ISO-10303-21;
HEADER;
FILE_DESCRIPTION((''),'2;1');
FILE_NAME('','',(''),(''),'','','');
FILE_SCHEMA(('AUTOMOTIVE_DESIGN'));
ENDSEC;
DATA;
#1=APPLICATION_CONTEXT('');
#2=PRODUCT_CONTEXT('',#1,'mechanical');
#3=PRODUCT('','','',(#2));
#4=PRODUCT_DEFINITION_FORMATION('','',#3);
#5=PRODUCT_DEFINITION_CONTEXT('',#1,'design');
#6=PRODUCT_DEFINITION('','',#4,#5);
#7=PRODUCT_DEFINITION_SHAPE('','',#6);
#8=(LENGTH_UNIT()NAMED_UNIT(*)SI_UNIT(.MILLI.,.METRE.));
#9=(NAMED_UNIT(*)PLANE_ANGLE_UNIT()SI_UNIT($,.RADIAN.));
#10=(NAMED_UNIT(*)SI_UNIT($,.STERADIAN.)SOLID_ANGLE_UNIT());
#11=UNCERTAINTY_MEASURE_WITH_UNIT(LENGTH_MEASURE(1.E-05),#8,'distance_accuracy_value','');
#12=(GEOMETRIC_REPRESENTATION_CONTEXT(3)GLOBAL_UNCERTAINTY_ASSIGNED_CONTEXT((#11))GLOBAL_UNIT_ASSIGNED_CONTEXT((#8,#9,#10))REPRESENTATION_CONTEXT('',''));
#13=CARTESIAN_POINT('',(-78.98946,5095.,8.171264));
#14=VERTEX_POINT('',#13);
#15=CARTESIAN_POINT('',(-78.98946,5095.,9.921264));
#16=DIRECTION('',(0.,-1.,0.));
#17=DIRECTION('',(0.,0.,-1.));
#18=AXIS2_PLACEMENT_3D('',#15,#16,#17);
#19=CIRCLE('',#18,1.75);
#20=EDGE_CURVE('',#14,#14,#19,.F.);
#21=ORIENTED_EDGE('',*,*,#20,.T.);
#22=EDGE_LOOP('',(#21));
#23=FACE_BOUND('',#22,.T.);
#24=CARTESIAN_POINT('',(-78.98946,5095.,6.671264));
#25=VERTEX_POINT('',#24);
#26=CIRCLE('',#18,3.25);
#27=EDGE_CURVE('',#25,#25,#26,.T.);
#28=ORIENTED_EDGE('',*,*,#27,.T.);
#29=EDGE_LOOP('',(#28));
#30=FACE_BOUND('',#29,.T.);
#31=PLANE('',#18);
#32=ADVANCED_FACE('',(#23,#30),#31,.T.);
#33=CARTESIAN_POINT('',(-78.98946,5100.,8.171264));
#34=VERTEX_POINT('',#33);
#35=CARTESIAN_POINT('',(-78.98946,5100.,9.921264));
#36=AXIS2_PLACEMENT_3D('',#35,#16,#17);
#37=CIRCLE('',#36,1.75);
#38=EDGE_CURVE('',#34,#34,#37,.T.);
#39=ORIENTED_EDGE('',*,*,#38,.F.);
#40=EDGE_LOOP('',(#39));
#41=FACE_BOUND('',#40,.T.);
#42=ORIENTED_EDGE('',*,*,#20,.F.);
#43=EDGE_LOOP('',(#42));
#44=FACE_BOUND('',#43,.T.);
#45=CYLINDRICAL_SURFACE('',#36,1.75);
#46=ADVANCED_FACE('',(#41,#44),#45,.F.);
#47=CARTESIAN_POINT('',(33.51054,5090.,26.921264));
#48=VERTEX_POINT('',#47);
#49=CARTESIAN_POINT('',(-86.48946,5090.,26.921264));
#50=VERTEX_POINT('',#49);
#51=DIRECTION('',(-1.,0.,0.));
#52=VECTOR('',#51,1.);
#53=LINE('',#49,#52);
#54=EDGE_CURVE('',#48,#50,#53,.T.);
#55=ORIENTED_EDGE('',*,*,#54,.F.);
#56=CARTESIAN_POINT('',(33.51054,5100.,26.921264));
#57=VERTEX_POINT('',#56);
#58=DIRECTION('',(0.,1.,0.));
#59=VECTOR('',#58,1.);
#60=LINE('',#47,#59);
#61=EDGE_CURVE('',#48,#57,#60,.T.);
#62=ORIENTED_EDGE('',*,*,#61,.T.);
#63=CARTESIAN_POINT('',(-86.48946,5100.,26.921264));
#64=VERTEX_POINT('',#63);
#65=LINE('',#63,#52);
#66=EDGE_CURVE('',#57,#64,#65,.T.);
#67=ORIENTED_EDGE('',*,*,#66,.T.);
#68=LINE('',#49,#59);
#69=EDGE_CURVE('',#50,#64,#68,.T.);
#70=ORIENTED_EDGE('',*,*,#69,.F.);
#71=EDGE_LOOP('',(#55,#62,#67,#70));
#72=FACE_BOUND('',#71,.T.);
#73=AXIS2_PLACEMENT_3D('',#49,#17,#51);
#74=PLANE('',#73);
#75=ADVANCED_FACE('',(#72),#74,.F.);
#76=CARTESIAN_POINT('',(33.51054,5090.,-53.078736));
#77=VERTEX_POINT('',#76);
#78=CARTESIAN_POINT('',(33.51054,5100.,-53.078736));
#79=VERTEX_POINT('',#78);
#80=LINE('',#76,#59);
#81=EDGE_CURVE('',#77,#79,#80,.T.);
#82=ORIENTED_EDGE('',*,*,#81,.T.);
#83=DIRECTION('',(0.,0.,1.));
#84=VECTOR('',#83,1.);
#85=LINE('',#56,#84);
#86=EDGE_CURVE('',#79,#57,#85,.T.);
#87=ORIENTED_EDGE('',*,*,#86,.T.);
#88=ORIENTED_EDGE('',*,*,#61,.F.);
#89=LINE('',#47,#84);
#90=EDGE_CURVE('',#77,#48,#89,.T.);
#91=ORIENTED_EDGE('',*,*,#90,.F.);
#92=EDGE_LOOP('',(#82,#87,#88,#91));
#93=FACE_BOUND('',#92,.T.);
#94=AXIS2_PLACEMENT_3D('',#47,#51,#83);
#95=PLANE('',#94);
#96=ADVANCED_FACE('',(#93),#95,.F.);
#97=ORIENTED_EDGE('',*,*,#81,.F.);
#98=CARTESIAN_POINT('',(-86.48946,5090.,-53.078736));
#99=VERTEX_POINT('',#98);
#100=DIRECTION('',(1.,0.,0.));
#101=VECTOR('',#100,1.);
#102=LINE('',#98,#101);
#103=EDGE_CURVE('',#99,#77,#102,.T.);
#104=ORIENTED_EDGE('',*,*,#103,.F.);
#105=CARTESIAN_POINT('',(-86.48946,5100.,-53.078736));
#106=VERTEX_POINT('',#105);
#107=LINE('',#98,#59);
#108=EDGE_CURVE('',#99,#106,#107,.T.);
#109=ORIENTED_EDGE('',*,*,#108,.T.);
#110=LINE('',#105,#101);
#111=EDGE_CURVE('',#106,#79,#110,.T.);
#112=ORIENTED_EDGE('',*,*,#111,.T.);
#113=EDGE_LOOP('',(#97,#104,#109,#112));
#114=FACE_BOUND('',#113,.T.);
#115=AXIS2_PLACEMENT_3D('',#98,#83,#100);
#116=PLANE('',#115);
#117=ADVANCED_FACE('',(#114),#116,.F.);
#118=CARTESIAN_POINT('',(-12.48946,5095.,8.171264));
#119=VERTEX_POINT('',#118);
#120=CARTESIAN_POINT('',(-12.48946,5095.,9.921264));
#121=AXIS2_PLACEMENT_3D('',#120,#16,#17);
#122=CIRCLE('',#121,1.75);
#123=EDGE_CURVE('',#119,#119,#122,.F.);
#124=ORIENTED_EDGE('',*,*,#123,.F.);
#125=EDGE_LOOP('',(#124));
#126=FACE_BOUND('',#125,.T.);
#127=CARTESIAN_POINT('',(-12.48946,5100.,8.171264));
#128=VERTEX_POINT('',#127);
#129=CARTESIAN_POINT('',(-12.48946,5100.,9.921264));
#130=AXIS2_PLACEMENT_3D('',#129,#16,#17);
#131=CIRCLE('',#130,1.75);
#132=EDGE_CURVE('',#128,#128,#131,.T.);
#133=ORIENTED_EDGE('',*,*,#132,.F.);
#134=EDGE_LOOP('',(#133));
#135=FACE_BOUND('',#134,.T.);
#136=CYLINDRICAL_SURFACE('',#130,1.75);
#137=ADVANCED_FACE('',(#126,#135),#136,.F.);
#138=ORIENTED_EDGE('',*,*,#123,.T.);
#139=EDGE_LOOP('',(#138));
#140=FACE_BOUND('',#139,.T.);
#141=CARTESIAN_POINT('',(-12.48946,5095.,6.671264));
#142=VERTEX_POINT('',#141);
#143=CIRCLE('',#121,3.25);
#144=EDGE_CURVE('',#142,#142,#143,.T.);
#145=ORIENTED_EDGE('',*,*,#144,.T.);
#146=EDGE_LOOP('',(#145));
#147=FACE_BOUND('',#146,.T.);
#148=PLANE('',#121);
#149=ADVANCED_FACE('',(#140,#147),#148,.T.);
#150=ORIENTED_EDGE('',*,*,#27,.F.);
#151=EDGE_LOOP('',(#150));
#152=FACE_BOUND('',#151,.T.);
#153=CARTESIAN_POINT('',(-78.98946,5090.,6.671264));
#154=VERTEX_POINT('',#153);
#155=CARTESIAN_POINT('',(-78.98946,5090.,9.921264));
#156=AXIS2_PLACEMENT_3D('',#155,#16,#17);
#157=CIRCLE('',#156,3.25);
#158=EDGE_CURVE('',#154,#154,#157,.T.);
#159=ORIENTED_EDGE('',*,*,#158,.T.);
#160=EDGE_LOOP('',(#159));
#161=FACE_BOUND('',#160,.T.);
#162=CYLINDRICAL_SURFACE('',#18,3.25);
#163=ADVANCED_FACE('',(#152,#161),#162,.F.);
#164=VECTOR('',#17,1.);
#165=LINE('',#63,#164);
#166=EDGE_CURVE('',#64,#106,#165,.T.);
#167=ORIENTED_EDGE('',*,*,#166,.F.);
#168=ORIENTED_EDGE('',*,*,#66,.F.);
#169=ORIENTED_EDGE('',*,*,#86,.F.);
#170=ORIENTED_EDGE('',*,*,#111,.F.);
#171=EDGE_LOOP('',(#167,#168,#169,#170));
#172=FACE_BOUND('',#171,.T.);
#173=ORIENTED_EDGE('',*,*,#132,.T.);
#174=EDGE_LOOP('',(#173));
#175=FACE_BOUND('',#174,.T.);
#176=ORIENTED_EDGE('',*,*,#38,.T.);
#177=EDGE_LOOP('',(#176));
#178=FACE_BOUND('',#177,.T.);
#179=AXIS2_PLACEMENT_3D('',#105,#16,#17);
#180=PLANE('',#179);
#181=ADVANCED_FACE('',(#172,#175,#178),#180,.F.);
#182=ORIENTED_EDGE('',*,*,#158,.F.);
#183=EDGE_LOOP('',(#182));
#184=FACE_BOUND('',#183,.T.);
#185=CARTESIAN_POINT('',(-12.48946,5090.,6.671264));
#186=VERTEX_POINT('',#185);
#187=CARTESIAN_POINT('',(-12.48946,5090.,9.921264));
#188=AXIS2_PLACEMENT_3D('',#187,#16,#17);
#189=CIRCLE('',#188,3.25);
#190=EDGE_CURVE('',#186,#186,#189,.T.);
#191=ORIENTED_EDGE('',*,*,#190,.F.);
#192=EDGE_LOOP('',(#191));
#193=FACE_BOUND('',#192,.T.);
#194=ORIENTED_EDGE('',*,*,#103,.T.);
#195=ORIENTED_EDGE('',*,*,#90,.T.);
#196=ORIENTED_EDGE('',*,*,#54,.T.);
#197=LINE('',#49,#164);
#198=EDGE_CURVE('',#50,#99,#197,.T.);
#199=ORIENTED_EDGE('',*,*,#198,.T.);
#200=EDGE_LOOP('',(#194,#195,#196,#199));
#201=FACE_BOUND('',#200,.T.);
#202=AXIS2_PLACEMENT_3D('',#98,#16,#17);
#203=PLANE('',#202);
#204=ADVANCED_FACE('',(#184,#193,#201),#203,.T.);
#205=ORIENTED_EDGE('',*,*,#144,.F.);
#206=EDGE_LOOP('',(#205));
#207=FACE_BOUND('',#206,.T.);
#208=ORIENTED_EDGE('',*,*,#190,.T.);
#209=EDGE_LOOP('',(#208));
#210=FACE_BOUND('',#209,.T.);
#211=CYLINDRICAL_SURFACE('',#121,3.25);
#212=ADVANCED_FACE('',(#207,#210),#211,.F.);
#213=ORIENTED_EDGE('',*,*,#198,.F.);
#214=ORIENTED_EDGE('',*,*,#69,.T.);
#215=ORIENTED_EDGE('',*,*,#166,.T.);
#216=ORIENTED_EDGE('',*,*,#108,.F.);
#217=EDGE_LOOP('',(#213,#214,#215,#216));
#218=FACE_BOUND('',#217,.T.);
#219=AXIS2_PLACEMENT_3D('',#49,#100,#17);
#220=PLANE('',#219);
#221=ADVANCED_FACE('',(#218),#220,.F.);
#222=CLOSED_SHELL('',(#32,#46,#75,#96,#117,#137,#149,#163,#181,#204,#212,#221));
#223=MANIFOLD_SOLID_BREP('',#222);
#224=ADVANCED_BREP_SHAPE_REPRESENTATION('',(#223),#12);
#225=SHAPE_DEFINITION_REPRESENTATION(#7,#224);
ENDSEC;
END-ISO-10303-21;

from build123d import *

# Parameters (mm, degrees)
SKETCH1_W           = 120
SKETCH1_H           = 80
BOSS_EXTRUDE1_DEPTH = 10
SKETCH2_R           = 1.75
CUT_EXTRUDE1_DEPTH  = 11
SKETCH3_R           = 3.25
CUT_EXTRUDE2_DEPTH  = 5


with BuildPart() as part:
    # Sketch1 → Boss-Extrude1 (new body)
    with BuildSketch(Plane.XZ.offset(-5100)):
        with Locations((-26.489460092, -13.07873573)):
            Rectangle(SKETCH1_W, SKETCH1_H)
    extrude(amount=BOSS_EXTRUDE1_DEPTH)

    # Sketch2 → Cut-Extrude1 (cut, through all)
    with BuildSketch(Plane.XZ.offset(-5090)):
        with Locations((-78.989460092, 9.92126427)):
            Circle(SKETCH2_R)
        with Locations((-12.489460092, 9.92126427)):
            Circle(SKETCH2_R)
    extrude(amount=-CUT_EXTRUDE1_DEPTH, mode=Mode.SUBTRACT)

    # Sketch3 → Cut-Extrude2 (cut)
    with BuildSketch(Plane.XZ.offset(-5090)):
        with Locations((-78.989460092, 9.92126427)):
            Circle(SKETCH3_R)
        with Locations((-12.489460092, 9.92126427)):
            Circle(SKETCH3_R)
    extrude(amount=-CUT_EXTRUDE2_DEPTH, mode=Mode.SUBTRACT)


solid = part.part
